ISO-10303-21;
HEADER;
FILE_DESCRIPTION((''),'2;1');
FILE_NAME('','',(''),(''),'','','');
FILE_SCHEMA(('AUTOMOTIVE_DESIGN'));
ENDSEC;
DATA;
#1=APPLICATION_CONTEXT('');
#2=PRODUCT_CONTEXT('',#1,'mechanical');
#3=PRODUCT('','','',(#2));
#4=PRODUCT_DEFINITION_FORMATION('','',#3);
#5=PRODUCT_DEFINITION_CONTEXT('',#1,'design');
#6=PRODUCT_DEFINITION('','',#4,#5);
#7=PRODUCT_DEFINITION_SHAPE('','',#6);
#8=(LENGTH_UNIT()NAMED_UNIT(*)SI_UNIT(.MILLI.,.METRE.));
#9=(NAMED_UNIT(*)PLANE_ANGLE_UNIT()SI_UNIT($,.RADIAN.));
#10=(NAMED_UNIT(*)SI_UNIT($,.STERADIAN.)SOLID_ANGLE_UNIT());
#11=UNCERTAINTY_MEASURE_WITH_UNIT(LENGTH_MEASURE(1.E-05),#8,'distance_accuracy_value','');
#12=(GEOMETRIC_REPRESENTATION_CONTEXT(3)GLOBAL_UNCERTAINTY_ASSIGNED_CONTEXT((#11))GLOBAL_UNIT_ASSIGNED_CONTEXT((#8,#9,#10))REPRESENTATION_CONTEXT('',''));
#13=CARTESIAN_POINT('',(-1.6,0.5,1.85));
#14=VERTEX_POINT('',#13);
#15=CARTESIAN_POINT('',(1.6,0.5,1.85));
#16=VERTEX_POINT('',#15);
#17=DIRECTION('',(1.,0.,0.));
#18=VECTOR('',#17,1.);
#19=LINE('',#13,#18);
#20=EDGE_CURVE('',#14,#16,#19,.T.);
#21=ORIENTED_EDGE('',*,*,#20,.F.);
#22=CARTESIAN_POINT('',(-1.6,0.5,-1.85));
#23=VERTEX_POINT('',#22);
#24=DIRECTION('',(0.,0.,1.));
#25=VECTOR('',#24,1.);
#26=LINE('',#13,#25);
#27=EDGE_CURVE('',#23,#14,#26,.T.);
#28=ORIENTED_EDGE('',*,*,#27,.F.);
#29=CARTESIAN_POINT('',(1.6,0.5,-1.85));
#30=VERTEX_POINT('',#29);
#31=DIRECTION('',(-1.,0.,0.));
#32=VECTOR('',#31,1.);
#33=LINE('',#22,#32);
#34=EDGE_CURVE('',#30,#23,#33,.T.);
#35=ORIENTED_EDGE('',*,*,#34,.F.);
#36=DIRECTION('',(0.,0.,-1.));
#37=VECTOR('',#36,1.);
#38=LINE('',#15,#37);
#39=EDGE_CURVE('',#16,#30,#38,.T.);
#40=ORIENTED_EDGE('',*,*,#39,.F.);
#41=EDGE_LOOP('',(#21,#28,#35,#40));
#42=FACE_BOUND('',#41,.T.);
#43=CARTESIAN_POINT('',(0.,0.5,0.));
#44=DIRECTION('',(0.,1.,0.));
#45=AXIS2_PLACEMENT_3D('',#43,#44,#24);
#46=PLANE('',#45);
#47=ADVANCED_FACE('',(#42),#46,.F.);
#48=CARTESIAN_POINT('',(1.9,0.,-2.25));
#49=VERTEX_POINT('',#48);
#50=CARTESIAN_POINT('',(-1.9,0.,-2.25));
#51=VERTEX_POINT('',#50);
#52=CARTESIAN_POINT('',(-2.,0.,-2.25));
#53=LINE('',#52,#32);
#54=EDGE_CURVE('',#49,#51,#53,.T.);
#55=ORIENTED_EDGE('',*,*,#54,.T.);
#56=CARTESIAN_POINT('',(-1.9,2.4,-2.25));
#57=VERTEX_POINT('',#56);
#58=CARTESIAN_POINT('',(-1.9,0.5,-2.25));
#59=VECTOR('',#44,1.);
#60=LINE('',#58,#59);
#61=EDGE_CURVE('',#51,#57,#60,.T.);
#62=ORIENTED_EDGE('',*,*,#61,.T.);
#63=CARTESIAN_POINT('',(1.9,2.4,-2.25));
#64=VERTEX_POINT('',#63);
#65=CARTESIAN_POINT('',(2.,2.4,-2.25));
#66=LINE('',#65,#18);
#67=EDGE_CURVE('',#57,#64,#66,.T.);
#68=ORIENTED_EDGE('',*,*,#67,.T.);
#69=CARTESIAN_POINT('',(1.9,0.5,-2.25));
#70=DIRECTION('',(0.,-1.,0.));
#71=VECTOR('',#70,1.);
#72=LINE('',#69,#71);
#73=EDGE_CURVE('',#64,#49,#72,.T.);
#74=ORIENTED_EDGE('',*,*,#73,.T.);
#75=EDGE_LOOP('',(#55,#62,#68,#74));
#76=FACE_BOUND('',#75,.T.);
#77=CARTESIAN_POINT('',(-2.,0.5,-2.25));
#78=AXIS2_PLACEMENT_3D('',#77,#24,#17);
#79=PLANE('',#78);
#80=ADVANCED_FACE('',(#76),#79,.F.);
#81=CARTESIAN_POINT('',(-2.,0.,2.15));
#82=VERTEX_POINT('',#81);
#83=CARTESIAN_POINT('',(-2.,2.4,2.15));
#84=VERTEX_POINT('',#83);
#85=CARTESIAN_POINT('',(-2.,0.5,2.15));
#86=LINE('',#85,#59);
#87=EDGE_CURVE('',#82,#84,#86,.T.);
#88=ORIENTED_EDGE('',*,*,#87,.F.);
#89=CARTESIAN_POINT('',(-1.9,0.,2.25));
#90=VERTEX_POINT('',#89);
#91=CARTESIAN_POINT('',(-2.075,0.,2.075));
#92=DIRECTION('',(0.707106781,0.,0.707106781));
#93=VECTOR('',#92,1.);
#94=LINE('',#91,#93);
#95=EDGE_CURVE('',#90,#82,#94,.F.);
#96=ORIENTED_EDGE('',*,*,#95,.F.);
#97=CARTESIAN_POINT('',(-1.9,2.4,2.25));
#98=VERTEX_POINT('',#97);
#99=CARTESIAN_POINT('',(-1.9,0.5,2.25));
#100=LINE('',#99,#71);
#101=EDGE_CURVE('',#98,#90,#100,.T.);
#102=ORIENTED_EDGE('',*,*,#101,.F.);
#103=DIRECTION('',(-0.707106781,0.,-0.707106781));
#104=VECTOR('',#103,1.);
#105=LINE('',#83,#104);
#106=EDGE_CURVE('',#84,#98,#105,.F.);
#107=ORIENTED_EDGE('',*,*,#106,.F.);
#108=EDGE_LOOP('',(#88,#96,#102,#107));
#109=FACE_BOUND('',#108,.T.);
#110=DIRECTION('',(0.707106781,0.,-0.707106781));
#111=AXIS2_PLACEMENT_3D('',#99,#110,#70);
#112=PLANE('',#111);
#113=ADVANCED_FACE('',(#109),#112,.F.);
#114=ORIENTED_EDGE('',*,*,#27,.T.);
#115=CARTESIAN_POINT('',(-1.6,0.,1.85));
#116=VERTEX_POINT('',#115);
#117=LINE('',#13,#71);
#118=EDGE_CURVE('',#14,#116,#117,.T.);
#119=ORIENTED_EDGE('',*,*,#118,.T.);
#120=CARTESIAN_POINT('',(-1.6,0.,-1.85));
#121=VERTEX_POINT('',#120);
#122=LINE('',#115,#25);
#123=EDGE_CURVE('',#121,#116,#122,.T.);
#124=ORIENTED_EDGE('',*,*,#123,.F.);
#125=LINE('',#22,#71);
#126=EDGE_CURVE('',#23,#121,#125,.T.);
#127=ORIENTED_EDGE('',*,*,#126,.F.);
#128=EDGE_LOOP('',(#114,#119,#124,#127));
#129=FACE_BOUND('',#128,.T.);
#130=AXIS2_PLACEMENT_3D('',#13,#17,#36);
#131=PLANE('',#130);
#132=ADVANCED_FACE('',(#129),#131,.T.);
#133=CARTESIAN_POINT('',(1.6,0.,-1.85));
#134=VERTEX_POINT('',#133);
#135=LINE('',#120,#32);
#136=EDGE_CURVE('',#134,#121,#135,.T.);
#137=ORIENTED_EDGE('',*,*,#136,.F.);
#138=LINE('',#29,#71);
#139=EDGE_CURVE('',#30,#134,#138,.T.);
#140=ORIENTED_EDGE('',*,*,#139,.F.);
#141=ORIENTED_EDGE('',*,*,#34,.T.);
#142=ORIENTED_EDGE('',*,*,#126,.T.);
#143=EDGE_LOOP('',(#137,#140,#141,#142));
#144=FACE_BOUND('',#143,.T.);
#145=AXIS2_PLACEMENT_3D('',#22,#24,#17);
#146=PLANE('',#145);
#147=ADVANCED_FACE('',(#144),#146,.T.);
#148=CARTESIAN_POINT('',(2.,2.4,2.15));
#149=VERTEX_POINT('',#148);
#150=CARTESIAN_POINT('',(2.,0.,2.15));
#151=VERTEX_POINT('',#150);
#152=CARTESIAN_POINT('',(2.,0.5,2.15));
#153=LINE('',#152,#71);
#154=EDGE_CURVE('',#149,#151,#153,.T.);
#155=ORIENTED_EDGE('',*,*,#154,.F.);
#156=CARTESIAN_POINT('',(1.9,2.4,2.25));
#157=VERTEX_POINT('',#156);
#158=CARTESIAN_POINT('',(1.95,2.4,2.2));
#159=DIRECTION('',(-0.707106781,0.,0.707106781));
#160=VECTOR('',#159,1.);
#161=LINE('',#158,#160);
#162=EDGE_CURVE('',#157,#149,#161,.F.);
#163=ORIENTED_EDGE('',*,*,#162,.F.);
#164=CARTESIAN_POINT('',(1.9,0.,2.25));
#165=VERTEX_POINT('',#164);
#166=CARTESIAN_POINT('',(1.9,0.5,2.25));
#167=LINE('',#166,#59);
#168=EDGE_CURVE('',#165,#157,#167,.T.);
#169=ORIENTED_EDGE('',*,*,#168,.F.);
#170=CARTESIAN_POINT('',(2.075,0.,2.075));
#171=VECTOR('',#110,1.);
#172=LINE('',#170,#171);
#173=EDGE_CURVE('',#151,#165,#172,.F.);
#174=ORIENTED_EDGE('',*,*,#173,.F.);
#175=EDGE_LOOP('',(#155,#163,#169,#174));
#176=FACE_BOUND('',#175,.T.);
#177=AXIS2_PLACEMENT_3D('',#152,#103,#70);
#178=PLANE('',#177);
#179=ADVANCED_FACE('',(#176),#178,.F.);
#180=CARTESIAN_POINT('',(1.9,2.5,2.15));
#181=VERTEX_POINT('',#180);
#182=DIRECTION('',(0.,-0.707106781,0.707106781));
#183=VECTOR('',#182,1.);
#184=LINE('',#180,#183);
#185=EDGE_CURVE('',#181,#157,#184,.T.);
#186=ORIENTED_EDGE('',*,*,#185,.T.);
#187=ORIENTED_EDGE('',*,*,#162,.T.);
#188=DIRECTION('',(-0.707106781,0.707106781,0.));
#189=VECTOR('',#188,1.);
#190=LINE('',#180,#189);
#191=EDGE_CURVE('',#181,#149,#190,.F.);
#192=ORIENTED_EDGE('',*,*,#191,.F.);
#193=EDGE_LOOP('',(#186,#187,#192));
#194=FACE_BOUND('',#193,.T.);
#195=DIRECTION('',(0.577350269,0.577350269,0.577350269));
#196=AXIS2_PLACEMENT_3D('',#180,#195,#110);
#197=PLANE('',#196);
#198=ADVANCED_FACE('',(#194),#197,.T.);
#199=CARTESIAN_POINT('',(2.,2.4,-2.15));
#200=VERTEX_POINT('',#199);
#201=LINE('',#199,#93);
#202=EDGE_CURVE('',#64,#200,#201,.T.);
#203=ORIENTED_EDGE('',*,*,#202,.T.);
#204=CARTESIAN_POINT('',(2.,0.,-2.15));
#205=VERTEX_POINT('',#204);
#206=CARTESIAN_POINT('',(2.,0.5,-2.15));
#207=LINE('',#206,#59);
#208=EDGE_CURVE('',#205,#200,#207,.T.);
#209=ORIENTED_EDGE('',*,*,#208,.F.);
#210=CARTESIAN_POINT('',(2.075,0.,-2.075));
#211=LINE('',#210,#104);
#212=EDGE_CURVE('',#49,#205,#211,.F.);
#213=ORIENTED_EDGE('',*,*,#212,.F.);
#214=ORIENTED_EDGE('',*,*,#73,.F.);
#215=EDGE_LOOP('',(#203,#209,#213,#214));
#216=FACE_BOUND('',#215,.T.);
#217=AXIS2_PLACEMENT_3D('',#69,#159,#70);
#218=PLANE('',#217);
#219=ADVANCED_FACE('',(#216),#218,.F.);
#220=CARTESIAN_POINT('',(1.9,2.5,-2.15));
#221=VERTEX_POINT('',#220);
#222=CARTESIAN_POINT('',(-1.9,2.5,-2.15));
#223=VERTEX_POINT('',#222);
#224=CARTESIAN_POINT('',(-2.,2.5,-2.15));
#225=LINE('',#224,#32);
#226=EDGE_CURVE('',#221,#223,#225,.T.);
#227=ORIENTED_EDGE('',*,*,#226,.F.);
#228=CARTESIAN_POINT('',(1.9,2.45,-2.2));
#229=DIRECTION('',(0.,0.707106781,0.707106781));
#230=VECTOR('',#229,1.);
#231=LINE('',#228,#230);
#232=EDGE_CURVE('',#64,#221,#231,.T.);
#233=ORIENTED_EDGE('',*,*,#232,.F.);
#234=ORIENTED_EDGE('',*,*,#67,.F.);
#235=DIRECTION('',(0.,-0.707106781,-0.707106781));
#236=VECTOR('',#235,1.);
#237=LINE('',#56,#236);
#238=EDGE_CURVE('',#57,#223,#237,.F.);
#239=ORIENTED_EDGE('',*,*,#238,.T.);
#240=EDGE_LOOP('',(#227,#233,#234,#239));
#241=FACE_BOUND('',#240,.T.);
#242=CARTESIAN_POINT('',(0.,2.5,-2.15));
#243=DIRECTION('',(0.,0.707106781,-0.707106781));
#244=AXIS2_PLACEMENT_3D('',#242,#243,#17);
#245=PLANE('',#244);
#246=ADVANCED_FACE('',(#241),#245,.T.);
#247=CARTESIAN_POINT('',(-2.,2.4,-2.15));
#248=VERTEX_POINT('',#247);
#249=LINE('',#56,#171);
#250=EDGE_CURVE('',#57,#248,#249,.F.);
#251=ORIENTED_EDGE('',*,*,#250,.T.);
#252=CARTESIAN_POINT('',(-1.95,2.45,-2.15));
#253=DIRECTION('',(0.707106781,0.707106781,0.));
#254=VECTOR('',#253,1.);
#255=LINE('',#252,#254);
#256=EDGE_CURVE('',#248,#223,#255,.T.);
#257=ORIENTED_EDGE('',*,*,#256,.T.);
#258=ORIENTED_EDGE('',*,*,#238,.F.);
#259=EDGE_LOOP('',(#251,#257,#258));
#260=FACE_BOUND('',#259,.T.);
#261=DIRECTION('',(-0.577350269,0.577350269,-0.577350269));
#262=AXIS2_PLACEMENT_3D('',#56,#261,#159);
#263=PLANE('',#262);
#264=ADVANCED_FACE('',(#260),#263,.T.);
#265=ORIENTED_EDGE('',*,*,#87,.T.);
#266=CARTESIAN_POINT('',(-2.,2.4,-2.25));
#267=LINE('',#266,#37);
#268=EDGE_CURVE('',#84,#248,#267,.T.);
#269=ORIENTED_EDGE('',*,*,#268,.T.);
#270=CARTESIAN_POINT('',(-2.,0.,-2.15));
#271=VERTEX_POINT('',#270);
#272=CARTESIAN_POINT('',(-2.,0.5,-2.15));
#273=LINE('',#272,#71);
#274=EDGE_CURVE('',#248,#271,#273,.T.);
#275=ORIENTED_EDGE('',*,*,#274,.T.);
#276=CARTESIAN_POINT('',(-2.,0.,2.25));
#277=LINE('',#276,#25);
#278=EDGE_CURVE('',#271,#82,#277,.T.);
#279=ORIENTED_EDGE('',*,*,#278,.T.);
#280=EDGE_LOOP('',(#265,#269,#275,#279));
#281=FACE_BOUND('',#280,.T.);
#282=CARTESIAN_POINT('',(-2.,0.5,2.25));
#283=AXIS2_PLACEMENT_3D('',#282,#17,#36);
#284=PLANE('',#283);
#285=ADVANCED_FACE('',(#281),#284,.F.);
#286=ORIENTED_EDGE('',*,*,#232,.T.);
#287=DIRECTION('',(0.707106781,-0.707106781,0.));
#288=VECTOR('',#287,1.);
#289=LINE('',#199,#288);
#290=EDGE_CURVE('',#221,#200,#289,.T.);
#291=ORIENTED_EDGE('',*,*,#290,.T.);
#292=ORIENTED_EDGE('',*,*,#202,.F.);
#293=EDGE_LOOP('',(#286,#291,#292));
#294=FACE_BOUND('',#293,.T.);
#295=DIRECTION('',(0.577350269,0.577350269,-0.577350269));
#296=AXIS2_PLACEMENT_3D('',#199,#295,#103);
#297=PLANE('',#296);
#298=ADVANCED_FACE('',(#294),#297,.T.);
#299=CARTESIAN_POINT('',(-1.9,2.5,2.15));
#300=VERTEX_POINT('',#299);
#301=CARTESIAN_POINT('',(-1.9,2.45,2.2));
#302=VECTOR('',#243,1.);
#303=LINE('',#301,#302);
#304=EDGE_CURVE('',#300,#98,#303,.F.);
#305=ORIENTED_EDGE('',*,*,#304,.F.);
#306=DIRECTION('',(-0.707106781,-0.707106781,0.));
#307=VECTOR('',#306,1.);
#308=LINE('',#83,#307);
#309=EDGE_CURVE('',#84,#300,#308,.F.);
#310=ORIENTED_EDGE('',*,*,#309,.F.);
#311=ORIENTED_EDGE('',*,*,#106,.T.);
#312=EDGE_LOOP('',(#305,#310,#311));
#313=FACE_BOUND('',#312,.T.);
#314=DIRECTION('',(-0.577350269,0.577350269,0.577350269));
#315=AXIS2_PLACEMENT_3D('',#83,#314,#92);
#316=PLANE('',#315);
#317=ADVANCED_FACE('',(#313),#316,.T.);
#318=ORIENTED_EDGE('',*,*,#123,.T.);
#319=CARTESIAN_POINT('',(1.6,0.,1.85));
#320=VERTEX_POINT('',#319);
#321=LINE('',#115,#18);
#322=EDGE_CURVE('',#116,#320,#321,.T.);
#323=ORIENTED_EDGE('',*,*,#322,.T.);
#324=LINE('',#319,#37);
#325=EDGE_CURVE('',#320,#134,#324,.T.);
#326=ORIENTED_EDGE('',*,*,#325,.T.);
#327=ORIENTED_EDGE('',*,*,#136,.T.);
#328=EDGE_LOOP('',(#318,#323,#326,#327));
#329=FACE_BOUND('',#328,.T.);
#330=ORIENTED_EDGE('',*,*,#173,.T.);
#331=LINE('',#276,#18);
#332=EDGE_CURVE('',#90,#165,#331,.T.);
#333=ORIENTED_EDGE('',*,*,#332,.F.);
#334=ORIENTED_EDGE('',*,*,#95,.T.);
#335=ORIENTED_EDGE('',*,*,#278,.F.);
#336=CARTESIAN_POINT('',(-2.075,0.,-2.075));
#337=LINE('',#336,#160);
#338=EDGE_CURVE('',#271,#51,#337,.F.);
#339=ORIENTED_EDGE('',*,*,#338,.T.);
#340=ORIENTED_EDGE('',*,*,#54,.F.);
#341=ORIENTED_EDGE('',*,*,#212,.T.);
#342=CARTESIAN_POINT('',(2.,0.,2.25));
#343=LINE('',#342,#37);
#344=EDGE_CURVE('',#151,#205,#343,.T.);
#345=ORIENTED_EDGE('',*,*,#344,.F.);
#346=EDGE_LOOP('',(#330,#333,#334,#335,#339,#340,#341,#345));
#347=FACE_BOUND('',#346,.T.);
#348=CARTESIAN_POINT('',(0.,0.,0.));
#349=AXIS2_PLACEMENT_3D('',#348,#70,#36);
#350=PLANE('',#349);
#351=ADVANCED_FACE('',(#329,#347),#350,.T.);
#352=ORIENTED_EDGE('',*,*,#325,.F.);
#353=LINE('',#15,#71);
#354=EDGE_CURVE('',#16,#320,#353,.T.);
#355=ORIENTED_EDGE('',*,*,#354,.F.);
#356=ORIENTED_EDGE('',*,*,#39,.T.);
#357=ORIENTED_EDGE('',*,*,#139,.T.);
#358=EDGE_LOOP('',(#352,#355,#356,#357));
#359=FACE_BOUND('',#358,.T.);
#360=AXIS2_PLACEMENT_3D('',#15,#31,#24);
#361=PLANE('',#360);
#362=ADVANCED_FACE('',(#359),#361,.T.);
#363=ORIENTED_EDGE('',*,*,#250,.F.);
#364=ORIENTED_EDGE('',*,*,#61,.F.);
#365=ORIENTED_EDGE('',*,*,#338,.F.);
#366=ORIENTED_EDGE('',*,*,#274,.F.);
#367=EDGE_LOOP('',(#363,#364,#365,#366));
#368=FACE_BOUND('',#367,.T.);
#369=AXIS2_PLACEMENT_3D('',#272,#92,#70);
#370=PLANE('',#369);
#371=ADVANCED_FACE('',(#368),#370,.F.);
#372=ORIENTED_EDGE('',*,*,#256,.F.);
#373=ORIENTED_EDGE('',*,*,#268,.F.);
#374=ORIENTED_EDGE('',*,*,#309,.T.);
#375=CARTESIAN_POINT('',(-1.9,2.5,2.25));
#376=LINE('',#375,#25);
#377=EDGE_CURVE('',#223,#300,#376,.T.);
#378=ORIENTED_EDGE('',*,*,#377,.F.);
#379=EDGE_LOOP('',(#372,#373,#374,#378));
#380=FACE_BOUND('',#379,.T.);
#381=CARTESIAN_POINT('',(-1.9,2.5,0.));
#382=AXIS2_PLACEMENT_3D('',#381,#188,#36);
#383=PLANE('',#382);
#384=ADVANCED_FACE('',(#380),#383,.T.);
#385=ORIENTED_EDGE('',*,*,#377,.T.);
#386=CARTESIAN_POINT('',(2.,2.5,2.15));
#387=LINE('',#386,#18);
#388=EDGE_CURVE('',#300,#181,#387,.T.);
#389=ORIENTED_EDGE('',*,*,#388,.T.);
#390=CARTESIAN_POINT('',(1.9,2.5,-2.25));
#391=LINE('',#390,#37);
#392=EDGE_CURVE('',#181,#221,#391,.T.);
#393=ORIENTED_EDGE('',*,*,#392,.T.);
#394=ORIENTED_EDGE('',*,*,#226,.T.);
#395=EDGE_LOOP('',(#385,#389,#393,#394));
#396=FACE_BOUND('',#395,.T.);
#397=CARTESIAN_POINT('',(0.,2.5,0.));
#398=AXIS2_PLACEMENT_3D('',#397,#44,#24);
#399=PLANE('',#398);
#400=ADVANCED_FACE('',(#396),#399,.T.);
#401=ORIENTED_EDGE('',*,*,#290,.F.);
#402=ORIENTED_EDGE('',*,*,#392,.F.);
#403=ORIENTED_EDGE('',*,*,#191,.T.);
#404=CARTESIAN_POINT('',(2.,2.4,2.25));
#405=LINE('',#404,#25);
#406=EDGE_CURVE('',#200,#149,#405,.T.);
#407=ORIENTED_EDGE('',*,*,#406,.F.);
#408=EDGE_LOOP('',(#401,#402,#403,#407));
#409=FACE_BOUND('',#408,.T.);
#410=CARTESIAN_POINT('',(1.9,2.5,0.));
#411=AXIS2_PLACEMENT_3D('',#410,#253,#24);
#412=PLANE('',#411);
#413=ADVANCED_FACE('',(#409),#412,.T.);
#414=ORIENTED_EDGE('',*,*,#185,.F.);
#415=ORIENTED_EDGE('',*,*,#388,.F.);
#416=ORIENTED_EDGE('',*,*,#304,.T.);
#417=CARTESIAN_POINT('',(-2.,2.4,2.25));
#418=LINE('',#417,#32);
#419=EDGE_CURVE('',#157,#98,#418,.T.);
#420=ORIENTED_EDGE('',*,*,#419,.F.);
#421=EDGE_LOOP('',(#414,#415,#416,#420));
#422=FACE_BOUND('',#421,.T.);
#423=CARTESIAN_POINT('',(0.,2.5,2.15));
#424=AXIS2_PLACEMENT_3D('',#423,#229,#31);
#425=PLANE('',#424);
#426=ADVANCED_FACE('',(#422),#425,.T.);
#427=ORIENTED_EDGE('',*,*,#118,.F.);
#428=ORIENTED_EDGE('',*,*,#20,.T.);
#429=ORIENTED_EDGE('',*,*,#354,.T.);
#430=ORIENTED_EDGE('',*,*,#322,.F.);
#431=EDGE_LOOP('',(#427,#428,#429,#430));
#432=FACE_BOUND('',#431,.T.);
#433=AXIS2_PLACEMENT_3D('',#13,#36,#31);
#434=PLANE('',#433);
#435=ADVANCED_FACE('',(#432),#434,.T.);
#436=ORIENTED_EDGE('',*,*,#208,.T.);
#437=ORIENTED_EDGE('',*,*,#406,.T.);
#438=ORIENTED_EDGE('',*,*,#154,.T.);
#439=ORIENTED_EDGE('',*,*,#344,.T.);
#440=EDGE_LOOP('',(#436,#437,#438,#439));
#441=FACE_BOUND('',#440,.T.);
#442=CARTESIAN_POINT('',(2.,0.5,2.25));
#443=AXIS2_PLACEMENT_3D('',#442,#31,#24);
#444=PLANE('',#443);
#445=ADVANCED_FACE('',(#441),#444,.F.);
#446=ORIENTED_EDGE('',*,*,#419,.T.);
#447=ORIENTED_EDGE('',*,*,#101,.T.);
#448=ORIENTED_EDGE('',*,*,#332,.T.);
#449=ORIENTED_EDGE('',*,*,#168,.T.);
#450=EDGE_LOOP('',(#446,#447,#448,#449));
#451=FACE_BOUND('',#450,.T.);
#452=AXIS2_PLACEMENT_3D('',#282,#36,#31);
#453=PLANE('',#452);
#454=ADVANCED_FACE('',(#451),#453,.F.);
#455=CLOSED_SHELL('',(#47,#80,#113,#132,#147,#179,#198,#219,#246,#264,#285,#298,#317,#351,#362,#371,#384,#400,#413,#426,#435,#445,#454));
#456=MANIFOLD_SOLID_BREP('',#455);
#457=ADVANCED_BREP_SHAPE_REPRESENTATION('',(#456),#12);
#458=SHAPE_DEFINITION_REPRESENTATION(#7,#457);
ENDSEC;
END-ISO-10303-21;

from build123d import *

# Parameters (mm, degrees)
SKETCH1_W           = 4
SKETCH1_H           = 4.5
SKETCH1_W_2         = 3.2
SKETCH1_H_2         = 3.7
BOSS_EXTRUDE1_DEPTH = 0.5
SKETCH2_W           = 4
SKETCH2_H           = 4.5
BOSS_EXTRUDE2_DEPTH = 2
CHAMFER1_SIZE       = 0.1


with BuildPart() as part:
    # Sketch1 → Boss-Extrude1 (new body)
    with BuildSketch(Plane(origin=(0, 0, 0), x_dir=(1, 0, 0), z_dir=(0, 1, 0))):
        Rectangle(SKETCH1_W, SKETCH1_H)
        Rectangle(SKETCH1_W_2, SKETCH1_H_2, mode=Mode.SUBTRACT)
    extrude(amount=BOSS_EXTRUDE1_DEPTH)

    # Sketch2 → Boss-Extrude2 (add)
    with BuildSketch(Plane(origin=(0, 0.5, 0), x_dir=(1, 0, 0), z_dir=(0, 1, 0))):
        Rectangle(SKETCH2_W, SKETCH2_H)
    extrude(amount=BOSS_EXTRUDE2_DEPTH)

    # Chamfer1
    chamfer1_edges = [part.edges().sort_by_distance(p)[0] for p in [
        (0, 2.5, -2.25),
        (-2, 2.5, 0),
        (0, 2.5, 2.25),
        (2, 2.5, 0),
        (-2, 1.25, -2.25),
        (2, 1.25, -2.25),
        (2, 1.25, 2.25),
        (-2, 1.25, 2.25),
    ]]
    chamfer(chamfer1_edges, length=CHAMFER1_SIZE)


solid = part.part
